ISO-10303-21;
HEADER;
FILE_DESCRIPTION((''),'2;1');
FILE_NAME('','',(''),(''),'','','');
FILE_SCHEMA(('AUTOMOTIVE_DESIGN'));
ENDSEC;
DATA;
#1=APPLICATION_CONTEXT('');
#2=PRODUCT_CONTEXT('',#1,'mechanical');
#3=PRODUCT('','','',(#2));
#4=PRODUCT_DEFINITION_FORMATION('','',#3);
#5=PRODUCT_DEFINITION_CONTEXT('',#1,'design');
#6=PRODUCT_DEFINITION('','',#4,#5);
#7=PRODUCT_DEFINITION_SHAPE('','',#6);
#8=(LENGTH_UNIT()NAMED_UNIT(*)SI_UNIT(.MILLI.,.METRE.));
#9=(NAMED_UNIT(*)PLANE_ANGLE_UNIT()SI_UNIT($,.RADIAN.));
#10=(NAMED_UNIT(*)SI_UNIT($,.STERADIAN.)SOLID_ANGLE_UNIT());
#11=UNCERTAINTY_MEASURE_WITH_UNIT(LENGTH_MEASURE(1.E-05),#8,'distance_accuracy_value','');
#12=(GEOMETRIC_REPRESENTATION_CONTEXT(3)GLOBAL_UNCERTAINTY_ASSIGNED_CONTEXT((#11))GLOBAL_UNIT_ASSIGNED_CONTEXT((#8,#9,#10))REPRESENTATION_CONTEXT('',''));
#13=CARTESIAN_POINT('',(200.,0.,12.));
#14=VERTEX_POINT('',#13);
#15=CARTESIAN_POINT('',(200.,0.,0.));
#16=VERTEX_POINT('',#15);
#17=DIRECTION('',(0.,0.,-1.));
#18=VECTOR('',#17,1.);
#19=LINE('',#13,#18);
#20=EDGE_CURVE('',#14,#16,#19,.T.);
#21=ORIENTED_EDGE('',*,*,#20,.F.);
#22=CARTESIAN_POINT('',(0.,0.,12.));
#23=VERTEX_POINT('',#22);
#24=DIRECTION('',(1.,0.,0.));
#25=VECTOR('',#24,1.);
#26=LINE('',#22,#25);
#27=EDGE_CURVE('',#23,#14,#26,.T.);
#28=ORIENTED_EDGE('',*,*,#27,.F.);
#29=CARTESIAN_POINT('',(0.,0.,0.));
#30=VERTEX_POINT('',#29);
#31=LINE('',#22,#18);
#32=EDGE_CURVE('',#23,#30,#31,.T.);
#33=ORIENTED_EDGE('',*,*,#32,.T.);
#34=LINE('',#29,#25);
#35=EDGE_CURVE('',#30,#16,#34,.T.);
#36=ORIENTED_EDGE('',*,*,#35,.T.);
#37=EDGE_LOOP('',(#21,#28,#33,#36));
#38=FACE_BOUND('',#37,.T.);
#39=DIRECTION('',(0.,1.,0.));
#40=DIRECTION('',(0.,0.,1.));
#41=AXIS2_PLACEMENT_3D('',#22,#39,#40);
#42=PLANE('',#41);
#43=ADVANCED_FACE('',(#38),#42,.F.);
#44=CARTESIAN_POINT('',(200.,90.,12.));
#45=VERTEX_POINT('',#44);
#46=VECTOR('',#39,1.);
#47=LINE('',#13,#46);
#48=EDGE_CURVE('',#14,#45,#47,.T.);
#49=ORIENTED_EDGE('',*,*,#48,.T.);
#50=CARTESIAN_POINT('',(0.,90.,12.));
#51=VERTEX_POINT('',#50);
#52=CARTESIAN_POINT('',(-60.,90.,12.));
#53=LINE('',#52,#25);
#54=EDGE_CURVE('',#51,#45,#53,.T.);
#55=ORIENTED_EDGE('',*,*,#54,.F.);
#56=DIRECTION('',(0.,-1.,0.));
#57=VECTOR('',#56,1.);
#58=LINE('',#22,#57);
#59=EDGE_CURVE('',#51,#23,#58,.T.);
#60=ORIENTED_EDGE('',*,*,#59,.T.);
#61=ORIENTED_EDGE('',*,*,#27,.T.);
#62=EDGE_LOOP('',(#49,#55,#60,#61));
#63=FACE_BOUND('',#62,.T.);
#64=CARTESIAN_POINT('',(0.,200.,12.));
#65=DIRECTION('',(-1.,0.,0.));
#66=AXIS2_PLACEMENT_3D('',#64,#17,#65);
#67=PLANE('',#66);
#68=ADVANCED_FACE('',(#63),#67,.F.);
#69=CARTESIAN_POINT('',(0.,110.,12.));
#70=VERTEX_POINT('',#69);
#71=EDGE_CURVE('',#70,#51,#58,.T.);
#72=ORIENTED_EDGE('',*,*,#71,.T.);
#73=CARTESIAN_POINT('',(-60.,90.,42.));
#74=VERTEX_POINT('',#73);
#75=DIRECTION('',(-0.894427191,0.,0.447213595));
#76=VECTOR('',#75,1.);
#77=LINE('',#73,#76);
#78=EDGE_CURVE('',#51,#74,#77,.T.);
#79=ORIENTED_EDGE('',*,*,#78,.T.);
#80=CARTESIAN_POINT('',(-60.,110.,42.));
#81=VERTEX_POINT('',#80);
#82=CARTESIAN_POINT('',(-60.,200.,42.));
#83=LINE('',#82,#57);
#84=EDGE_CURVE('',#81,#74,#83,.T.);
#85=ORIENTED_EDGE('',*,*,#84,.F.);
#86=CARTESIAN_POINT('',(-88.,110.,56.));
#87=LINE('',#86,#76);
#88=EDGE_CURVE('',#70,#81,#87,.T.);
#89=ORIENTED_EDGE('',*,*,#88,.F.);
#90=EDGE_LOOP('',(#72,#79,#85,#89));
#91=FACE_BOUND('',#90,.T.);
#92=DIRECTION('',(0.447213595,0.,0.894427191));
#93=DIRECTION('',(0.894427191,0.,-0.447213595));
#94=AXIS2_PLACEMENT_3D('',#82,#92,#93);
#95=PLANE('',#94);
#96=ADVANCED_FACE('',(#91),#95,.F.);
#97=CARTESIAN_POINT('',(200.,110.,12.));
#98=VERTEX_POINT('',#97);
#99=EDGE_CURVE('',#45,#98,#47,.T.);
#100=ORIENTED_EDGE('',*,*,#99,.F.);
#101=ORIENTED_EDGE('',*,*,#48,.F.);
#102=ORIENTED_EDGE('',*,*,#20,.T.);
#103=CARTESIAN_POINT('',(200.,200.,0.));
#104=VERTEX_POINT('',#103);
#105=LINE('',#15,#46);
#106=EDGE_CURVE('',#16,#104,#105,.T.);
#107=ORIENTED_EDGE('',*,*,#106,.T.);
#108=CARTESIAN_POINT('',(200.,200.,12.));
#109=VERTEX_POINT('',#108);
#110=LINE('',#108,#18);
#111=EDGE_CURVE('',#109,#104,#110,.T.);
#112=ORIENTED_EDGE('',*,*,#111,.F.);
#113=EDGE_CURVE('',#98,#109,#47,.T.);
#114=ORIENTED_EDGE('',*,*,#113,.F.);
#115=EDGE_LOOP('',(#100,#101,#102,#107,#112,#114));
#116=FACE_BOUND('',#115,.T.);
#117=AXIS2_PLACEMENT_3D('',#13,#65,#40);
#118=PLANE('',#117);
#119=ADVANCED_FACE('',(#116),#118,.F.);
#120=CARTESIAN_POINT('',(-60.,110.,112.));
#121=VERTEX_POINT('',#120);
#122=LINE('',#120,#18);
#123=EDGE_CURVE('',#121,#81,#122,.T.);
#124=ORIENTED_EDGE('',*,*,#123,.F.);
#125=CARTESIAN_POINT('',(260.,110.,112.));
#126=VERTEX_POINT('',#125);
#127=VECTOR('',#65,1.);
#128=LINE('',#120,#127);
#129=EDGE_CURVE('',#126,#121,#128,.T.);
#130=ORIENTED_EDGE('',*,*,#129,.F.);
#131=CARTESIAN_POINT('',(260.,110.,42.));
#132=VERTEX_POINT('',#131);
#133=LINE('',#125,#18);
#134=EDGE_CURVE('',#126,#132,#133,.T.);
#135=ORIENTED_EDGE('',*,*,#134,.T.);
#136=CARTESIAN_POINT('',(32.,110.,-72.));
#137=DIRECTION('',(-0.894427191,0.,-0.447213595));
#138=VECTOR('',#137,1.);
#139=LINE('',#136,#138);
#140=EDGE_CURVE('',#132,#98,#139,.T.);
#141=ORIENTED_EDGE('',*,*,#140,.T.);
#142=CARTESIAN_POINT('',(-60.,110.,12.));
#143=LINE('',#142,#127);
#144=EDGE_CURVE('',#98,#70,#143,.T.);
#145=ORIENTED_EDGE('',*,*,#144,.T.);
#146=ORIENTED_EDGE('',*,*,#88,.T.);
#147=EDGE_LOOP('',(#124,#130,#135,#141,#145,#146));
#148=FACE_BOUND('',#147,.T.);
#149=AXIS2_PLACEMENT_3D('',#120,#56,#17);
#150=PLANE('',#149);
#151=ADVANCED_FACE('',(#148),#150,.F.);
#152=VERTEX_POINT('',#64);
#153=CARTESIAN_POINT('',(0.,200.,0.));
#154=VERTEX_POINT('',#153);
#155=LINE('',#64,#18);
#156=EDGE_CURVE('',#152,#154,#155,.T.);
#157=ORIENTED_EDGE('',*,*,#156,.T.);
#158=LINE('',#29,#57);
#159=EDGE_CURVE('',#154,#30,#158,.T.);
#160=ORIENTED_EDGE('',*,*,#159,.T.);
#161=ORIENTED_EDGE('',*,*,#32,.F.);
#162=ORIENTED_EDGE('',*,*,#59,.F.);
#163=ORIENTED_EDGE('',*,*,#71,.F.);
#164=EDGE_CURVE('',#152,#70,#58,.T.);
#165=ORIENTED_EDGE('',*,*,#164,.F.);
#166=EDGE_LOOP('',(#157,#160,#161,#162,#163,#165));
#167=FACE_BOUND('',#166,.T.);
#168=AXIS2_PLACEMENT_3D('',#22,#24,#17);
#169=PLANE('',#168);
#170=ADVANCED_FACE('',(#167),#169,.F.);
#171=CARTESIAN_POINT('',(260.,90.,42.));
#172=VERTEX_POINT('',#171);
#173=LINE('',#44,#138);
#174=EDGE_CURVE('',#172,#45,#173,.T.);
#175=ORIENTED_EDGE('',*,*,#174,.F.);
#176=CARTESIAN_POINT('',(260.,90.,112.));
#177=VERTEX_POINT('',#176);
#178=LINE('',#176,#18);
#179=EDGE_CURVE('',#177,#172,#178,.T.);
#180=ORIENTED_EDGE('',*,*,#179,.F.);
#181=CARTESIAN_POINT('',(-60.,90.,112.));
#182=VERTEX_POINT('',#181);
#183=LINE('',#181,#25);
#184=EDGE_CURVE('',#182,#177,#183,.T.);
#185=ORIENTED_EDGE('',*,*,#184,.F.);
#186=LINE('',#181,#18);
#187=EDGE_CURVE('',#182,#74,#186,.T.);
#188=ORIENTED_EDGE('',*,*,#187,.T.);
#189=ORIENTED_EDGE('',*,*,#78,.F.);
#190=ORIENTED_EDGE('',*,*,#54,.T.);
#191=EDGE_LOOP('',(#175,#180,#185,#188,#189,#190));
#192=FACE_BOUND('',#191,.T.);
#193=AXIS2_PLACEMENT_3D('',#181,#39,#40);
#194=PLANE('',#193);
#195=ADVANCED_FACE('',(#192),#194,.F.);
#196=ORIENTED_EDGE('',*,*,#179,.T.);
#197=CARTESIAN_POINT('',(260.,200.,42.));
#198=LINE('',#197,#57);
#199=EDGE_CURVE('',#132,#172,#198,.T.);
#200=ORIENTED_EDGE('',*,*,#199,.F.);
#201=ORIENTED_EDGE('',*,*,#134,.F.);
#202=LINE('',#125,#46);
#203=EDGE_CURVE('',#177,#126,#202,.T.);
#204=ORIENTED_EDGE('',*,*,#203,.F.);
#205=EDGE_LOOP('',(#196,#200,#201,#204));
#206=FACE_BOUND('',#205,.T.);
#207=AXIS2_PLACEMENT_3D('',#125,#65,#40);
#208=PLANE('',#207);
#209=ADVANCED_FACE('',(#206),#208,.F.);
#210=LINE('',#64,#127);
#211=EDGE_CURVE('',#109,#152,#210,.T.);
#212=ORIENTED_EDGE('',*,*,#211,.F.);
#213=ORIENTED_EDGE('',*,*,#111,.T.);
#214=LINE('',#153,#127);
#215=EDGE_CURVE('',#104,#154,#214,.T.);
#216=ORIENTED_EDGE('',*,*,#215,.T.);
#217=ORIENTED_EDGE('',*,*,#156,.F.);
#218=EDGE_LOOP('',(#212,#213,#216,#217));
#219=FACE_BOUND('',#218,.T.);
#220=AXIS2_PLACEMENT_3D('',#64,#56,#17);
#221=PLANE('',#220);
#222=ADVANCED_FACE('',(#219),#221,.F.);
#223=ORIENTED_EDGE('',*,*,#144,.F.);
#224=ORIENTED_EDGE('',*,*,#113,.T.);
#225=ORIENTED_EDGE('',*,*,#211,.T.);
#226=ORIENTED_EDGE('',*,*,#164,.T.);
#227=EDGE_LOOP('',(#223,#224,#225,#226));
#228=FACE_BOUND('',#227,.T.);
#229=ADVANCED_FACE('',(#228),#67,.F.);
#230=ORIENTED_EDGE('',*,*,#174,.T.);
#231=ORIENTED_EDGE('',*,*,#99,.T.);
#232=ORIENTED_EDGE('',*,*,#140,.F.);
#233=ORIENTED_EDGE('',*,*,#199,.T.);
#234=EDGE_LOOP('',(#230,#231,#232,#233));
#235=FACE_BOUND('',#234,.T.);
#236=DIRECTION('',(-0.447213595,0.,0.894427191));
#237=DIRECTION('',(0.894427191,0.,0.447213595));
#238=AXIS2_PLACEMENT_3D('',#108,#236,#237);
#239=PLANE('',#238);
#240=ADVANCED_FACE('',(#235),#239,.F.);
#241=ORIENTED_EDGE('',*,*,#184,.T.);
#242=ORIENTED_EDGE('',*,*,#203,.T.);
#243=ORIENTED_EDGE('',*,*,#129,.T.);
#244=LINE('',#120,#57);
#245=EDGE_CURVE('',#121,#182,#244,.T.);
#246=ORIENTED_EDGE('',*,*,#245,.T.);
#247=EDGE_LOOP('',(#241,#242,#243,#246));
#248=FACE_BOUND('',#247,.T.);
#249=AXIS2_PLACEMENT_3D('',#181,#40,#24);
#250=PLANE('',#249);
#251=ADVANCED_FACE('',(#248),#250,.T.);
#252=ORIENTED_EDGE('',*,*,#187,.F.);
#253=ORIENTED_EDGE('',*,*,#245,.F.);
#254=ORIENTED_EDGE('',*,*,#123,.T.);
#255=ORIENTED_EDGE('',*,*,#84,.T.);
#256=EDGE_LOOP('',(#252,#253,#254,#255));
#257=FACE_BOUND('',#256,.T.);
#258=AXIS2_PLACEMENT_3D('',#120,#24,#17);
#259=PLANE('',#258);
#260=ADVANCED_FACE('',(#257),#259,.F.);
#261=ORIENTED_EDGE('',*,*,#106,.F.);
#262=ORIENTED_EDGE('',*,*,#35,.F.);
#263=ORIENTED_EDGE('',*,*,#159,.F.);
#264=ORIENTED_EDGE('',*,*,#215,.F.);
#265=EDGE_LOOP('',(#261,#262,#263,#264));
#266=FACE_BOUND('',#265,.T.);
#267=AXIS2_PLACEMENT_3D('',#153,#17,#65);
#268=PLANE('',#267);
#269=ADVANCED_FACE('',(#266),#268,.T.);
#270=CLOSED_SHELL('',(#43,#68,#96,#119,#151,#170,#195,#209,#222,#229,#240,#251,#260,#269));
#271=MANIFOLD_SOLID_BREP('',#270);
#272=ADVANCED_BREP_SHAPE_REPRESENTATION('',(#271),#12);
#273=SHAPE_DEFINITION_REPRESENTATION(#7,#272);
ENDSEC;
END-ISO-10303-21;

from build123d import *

# Parameters (mm, degrees)
SKETCH_1_W          = 200
SKETCH_1_H          = 200
EXTRUDE_1_DEPTH     = 12
SKETCH_3_W          = 320
SKETCH_3_H          = 20
EXTRUDE_3_DEPTH     = 100
CUT_EXTRUDE_4_DEPTH = 304.716973513


with BuildPart() as part:
    # 草图1 → 拉伸1 (new body)
    with BuildSketch(Plane.XY):
        with Locations((100, 100)):
            Rectangle(SKETCH_1_W, SKETCH_1_H)
    extrude(amount=EXTRUDE_1_DEPTH)

    # 草图3 → 拉伸3 (add)
    with BuildSketch(Plane.XY.offset(12)):
        with Locations((100, 100)):
            Rectangle(SKETCH_3_W, SKETCH_3_H)
    extrude(amount=EXTRUDE_3_DEPTH)

    # 草图4 → 拉伸4 (cut, through all)
    with BuildSketch(Plane.XZ.offset(-90)):
        Polygon((200, 12), (260, 42), (260, 12), align=None)
        Polygon((-60, 42), (0, 12), (-60, 12), align=None)
    extrude(amount=-CUT_EXTRUDE_4_DEPTH, mode=Mode.SUBTRACT)


solid = part.part
